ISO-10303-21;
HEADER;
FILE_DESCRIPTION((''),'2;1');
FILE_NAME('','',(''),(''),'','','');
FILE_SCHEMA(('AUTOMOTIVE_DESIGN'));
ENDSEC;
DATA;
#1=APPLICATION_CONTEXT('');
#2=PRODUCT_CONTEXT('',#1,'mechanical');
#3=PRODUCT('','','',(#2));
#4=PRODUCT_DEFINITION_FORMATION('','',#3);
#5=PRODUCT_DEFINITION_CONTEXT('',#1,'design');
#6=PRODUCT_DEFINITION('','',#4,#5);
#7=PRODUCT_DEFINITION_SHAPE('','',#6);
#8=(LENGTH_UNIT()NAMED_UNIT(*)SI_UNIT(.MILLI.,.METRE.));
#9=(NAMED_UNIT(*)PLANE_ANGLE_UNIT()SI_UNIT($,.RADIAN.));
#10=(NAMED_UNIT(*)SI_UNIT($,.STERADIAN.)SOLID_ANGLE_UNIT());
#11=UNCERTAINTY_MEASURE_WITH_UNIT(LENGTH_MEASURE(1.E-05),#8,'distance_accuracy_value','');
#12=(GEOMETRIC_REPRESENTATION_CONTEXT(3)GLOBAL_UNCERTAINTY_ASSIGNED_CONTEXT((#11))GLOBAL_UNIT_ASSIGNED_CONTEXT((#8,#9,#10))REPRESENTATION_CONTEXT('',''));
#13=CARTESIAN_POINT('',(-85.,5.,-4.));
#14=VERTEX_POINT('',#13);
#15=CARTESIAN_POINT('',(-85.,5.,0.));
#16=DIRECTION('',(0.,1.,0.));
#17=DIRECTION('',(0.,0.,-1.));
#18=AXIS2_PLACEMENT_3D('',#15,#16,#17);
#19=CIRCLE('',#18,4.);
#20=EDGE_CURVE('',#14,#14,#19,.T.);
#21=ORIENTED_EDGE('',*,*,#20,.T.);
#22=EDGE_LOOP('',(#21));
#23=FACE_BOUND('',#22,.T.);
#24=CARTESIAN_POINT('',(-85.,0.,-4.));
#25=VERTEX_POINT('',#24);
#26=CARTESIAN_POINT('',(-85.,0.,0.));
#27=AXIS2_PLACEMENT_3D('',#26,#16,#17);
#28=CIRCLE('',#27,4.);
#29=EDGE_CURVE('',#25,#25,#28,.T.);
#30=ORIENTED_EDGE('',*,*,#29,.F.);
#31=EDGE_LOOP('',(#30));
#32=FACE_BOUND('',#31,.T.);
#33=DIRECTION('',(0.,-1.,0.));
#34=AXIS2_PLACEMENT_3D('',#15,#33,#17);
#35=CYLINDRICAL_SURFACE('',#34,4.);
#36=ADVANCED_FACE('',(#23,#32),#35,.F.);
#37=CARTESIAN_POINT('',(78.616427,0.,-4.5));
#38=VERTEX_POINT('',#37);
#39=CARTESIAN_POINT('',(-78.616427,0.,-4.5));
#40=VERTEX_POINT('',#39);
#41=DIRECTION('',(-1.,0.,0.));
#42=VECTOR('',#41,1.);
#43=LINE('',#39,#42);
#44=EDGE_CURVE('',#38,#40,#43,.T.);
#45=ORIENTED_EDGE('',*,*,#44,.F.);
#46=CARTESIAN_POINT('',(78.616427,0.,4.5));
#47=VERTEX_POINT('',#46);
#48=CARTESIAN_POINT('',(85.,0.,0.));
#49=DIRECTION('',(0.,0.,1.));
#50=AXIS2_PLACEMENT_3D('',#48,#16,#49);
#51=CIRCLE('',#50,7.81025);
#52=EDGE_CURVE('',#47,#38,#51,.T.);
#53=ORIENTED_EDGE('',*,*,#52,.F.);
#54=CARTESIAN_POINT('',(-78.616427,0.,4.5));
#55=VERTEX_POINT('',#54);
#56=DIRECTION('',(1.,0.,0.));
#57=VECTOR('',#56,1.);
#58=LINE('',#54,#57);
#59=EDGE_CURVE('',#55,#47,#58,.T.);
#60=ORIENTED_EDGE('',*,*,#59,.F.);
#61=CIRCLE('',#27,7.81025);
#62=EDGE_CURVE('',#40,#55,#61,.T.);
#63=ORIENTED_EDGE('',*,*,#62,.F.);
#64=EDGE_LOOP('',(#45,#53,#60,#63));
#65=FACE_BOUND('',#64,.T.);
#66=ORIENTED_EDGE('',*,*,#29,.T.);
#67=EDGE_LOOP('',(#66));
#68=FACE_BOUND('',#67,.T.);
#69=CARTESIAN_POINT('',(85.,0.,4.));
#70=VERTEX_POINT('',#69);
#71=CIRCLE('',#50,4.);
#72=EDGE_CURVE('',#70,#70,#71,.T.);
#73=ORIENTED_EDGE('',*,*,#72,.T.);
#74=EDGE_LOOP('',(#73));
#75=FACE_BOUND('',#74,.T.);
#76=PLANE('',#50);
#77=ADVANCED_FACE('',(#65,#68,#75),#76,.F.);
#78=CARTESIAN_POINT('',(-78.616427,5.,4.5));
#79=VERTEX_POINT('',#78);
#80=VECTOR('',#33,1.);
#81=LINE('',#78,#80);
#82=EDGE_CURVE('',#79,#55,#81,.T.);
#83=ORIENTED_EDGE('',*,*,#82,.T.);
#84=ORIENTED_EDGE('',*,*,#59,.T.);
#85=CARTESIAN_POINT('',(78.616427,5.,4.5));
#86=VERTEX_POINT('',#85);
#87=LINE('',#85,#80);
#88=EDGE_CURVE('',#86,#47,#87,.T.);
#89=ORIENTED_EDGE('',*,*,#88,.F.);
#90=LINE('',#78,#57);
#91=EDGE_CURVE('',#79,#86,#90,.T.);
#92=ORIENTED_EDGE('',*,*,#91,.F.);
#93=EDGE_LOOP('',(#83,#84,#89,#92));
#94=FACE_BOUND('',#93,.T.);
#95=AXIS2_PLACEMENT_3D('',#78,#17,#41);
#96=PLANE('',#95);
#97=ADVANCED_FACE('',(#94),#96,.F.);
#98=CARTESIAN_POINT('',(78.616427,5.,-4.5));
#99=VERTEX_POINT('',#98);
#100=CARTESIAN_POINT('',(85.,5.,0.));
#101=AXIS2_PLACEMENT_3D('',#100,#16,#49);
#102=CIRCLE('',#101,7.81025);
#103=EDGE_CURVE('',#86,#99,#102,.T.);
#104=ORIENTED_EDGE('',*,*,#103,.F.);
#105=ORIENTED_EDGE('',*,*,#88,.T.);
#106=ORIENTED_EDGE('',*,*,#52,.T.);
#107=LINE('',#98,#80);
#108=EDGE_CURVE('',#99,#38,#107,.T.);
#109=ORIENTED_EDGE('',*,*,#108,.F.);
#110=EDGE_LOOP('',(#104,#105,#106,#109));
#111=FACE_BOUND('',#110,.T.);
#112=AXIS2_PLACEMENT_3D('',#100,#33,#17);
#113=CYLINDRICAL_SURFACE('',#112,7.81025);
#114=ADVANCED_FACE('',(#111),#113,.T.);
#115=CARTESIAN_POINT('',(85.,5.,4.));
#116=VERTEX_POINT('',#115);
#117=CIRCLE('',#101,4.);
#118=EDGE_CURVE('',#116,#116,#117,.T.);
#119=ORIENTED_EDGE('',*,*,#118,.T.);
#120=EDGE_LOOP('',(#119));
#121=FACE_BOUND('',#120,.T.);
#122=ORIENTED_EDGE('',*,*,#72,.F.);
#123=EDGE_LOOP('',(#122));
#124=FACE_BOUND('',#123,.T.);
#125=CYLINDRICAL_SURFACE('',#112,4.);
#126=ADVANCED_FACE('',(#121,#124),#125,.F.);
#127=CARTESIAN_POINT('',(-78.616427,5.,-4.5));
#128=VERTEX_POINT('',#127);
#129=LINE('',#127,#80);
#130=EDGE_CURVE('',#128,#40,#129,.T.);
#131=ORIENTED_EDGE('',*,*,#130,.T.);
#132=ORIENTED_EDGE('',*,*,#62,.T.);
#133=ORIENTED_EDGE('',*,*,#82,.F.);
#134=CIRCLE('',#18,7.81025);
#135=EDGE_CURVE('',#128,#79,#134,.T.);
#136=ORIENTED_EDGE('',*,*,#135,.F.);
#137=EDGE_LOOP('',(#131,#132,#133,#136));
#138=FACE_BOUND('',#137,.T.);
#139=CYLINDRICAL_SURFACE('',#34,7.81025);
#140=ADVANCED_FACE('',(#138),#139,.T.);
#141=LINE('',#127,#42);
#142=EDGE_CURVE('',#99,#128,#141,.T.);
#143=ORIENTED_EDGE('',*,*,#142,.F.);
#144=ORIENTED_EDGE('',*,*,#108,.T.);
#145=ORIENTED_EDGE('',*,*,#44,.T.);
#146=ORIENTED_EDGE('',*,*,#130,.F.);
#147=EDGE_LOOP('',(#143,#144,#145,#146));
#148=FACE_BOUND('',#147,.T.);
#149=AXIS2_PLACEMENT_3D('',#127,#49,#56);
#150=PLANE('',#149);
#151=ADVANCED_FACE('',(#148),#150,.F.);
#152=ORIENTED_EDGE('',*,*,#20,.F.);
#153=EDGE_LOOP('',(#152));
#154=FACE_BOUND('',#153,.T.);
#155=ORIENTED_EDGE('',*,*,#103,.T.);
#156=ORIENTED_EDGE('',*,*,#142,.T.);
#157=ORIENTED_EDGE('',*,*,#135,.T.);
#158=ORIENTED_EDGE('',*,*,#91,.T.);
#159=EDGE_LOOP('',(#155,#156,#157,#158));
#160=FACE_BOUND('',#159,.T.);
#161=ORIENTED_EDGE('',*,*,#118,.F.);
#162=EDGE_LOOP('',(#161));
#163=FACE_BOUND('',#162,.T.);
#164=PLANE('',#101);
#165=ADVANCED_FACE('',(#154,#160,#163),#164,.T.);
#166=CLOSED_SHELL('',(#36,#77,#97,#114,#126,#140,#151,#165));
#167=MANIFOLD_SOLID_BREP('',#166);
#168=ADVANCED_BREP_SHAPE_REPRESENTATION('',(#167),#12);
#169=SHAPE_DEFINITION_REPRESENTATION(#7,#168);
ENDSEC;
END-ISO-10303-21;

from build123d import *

# Parameters (mm, degrees)
SKETCH1_R           = 4
BOSS_EXTRUDE1_DEPTH = 5


with BuildPart() as part:
    # Sketch1 → Boss-Extrude1 (new body)
    with BuildSketch(Plane(origin=(0, 0, 0), x_dir=(1, 0, 0), z_dir=(0, 1, 0))):
        with BuildLine():
            Line((-78.616427333, -4.5), (78.616427333, -4.5))
            ThreePointArc((78.616427333, -4.5), (92.810249676, 0), (78.616427333, 4.5))
            Line((78.616427333, 4.5), (-78.616427333, 4.5))
            ThreePointArc((-78.616427333, 4.5), (-92.810249676, 0), (-78.616427333, -4.5))
        make_face()
        with Locations(Location((85, 0, 0), (0, 0, 270))):
            Circle(SKETCH1_R, mode=Mode.SUBTRACT)
        with Locations(Location((-85, 0, 0), (0, 0, 90))):
            Circle(SKETCH1_R, mode=Mode.SUBTRACT)
    extrude(amount=BOSS_EXTRUDE1_DEPTH)


solid = part.part
